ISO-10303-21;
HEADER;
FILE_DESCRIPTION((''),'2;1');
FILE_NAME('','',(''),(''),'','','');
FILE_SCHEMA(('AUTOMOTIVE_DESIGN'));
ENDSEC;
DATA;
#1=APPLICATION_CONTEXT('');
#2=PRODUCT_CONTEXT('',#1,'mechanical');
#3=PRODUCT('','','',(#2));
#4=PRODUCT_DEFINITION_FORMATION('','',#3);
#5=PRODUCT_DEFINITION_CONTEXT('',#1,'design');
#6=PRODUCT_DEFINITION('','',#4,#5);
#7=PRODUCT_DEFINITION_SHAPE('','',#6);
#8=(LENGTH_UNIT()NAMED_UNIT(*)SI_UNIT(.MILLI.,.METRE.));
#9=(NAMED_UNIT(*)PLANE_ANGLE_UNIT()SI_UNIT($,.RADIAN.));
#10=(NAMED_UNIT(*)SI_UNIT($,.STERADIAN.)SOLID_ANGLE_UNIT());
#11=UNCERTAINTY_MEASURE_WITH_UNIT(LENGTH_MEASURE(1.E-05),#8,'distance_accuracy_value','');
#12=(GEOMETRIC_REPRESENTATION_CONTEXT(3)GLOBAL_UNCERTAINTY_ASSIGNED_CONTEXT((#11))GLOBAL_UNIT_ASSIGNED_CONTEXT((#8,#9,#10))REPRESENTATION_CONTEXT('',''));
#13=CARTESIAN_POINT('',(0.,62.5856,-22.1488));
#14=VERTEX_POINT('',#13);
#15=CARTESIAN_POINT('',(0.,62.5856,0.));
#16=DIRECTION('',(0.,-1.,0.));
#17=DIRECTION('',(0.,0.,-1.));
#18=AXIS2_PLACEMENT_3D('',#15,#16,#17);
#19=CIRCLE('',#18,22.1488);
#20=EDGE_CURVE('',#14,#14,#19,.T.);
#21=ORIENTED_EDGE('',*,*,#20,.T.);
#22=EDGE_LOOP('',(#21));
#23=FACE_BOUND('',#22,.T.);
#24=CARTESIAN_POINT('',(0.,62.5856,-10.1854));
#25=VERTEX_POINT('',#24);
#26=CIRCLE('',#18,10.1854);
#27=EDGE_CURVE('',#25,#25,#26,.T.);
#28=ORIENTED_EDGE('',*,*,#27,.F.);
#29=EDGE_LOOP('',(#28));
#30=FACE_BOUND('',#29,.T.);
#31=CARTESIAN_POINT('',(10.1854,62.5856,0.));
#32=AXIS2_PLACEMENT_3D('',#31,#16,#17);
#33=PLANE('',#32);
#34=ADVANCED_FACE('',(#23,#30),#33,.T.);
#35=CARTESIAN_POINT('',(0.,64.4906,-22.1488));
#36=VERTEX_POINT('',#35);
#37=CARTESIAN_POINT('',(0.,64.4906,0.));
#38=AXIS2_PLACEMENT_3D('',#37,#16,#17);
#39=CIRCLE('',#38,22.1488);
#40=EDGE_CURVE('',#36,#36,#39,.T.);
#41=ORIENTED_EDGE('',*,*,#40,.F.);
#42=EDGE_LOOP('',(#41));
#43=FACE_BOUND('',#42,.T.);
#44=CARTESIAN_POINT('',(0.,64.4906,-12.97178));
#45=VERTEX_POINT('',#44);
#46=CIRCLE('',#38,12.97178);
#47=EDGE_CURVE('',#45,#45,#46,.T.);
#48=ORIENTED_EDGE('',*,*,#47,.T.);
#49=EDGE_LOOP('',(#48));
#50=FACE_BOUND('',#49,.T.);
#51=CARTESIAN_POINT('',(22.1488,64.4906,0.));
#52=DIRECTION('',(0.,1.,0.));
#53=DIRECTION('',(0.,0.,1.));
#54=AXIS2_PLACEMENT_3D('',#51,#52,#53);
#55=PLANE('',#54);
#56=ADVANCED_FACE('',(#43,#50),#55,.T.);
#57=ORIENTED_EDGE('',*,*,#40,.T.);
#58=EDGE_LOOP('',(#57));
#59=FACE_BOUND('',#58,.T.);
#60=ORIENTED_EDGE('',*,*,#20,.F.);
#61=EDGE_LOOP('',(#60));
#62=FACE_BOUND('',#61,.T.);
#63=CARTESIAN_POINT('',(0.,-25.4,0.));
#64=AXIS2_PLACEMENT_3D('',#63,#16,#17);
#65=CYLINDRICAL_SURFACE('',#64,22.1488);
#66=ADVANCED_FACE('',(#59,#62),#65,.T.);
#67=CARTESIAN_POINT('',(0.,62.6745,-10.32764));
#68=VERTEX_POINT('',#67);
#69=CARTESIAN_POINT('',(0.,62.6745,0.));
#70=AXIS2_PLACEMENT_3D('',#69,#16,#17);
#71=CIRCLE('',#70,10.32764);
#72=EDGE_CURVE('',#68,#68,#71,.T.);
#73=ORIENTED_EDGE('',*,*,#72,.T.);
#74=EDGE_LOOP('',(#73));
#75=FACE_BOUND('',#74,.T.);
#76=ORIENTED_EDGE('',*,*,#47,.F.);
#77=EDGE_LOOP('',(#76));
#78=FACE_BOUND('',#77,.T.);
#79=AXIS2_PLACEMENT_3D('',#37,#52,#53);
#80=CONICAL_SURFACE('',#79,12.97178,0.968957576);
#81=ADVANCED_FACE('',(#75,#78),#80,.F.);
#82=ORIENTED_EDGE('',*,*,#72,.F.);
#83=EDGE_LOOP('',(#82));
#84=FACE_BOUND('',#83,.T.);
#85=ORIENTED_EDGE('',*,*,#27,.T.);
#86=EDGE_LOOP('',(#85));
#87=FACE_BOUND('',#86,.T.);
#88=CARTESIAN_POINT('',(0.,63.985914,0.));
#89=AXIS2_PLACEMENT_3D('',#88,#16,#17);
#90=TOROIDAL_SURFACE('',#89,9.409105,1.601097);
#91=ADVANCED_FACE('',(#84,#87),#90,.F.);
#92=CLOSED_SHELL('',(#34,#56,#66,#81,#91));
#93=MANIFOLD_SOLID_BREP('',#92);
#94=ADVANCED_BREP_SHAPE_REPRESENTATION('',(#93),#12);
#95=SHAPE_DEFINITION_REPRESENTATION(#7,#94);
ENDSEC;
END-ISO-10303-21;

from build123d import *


with BuildPart() as part:
    # Sk_washer_section → Rev_washer (revolve)
    with BuildSketch(Plane.XY, mode=Mode.PRIVATE) as rev_washer_sk:
        with BuildLine():
            Line((10.1854, 62.5856), (22.1488, 62.5856))
            Line((22.1488, 62.5856), (22.1488, 64.4906))
            Line((22.1488, 64.4906), (12.97178, 64.4906))
            Line((12.97178, 64.4906), (10.32764, 62.6745))
            ThreePointArc((10.32764, 62.6745), (10.257684982, 62.62818603), (10.1854, 62.5856))
        make_face()
    revolve(rev_washer_sk.sketch.rotate(Axis((0, -25.4, 0), (0, 1, 0)), 90), axis=Axis((0, -25.4, 0), (0, 1, 0)))


solid = part.part
